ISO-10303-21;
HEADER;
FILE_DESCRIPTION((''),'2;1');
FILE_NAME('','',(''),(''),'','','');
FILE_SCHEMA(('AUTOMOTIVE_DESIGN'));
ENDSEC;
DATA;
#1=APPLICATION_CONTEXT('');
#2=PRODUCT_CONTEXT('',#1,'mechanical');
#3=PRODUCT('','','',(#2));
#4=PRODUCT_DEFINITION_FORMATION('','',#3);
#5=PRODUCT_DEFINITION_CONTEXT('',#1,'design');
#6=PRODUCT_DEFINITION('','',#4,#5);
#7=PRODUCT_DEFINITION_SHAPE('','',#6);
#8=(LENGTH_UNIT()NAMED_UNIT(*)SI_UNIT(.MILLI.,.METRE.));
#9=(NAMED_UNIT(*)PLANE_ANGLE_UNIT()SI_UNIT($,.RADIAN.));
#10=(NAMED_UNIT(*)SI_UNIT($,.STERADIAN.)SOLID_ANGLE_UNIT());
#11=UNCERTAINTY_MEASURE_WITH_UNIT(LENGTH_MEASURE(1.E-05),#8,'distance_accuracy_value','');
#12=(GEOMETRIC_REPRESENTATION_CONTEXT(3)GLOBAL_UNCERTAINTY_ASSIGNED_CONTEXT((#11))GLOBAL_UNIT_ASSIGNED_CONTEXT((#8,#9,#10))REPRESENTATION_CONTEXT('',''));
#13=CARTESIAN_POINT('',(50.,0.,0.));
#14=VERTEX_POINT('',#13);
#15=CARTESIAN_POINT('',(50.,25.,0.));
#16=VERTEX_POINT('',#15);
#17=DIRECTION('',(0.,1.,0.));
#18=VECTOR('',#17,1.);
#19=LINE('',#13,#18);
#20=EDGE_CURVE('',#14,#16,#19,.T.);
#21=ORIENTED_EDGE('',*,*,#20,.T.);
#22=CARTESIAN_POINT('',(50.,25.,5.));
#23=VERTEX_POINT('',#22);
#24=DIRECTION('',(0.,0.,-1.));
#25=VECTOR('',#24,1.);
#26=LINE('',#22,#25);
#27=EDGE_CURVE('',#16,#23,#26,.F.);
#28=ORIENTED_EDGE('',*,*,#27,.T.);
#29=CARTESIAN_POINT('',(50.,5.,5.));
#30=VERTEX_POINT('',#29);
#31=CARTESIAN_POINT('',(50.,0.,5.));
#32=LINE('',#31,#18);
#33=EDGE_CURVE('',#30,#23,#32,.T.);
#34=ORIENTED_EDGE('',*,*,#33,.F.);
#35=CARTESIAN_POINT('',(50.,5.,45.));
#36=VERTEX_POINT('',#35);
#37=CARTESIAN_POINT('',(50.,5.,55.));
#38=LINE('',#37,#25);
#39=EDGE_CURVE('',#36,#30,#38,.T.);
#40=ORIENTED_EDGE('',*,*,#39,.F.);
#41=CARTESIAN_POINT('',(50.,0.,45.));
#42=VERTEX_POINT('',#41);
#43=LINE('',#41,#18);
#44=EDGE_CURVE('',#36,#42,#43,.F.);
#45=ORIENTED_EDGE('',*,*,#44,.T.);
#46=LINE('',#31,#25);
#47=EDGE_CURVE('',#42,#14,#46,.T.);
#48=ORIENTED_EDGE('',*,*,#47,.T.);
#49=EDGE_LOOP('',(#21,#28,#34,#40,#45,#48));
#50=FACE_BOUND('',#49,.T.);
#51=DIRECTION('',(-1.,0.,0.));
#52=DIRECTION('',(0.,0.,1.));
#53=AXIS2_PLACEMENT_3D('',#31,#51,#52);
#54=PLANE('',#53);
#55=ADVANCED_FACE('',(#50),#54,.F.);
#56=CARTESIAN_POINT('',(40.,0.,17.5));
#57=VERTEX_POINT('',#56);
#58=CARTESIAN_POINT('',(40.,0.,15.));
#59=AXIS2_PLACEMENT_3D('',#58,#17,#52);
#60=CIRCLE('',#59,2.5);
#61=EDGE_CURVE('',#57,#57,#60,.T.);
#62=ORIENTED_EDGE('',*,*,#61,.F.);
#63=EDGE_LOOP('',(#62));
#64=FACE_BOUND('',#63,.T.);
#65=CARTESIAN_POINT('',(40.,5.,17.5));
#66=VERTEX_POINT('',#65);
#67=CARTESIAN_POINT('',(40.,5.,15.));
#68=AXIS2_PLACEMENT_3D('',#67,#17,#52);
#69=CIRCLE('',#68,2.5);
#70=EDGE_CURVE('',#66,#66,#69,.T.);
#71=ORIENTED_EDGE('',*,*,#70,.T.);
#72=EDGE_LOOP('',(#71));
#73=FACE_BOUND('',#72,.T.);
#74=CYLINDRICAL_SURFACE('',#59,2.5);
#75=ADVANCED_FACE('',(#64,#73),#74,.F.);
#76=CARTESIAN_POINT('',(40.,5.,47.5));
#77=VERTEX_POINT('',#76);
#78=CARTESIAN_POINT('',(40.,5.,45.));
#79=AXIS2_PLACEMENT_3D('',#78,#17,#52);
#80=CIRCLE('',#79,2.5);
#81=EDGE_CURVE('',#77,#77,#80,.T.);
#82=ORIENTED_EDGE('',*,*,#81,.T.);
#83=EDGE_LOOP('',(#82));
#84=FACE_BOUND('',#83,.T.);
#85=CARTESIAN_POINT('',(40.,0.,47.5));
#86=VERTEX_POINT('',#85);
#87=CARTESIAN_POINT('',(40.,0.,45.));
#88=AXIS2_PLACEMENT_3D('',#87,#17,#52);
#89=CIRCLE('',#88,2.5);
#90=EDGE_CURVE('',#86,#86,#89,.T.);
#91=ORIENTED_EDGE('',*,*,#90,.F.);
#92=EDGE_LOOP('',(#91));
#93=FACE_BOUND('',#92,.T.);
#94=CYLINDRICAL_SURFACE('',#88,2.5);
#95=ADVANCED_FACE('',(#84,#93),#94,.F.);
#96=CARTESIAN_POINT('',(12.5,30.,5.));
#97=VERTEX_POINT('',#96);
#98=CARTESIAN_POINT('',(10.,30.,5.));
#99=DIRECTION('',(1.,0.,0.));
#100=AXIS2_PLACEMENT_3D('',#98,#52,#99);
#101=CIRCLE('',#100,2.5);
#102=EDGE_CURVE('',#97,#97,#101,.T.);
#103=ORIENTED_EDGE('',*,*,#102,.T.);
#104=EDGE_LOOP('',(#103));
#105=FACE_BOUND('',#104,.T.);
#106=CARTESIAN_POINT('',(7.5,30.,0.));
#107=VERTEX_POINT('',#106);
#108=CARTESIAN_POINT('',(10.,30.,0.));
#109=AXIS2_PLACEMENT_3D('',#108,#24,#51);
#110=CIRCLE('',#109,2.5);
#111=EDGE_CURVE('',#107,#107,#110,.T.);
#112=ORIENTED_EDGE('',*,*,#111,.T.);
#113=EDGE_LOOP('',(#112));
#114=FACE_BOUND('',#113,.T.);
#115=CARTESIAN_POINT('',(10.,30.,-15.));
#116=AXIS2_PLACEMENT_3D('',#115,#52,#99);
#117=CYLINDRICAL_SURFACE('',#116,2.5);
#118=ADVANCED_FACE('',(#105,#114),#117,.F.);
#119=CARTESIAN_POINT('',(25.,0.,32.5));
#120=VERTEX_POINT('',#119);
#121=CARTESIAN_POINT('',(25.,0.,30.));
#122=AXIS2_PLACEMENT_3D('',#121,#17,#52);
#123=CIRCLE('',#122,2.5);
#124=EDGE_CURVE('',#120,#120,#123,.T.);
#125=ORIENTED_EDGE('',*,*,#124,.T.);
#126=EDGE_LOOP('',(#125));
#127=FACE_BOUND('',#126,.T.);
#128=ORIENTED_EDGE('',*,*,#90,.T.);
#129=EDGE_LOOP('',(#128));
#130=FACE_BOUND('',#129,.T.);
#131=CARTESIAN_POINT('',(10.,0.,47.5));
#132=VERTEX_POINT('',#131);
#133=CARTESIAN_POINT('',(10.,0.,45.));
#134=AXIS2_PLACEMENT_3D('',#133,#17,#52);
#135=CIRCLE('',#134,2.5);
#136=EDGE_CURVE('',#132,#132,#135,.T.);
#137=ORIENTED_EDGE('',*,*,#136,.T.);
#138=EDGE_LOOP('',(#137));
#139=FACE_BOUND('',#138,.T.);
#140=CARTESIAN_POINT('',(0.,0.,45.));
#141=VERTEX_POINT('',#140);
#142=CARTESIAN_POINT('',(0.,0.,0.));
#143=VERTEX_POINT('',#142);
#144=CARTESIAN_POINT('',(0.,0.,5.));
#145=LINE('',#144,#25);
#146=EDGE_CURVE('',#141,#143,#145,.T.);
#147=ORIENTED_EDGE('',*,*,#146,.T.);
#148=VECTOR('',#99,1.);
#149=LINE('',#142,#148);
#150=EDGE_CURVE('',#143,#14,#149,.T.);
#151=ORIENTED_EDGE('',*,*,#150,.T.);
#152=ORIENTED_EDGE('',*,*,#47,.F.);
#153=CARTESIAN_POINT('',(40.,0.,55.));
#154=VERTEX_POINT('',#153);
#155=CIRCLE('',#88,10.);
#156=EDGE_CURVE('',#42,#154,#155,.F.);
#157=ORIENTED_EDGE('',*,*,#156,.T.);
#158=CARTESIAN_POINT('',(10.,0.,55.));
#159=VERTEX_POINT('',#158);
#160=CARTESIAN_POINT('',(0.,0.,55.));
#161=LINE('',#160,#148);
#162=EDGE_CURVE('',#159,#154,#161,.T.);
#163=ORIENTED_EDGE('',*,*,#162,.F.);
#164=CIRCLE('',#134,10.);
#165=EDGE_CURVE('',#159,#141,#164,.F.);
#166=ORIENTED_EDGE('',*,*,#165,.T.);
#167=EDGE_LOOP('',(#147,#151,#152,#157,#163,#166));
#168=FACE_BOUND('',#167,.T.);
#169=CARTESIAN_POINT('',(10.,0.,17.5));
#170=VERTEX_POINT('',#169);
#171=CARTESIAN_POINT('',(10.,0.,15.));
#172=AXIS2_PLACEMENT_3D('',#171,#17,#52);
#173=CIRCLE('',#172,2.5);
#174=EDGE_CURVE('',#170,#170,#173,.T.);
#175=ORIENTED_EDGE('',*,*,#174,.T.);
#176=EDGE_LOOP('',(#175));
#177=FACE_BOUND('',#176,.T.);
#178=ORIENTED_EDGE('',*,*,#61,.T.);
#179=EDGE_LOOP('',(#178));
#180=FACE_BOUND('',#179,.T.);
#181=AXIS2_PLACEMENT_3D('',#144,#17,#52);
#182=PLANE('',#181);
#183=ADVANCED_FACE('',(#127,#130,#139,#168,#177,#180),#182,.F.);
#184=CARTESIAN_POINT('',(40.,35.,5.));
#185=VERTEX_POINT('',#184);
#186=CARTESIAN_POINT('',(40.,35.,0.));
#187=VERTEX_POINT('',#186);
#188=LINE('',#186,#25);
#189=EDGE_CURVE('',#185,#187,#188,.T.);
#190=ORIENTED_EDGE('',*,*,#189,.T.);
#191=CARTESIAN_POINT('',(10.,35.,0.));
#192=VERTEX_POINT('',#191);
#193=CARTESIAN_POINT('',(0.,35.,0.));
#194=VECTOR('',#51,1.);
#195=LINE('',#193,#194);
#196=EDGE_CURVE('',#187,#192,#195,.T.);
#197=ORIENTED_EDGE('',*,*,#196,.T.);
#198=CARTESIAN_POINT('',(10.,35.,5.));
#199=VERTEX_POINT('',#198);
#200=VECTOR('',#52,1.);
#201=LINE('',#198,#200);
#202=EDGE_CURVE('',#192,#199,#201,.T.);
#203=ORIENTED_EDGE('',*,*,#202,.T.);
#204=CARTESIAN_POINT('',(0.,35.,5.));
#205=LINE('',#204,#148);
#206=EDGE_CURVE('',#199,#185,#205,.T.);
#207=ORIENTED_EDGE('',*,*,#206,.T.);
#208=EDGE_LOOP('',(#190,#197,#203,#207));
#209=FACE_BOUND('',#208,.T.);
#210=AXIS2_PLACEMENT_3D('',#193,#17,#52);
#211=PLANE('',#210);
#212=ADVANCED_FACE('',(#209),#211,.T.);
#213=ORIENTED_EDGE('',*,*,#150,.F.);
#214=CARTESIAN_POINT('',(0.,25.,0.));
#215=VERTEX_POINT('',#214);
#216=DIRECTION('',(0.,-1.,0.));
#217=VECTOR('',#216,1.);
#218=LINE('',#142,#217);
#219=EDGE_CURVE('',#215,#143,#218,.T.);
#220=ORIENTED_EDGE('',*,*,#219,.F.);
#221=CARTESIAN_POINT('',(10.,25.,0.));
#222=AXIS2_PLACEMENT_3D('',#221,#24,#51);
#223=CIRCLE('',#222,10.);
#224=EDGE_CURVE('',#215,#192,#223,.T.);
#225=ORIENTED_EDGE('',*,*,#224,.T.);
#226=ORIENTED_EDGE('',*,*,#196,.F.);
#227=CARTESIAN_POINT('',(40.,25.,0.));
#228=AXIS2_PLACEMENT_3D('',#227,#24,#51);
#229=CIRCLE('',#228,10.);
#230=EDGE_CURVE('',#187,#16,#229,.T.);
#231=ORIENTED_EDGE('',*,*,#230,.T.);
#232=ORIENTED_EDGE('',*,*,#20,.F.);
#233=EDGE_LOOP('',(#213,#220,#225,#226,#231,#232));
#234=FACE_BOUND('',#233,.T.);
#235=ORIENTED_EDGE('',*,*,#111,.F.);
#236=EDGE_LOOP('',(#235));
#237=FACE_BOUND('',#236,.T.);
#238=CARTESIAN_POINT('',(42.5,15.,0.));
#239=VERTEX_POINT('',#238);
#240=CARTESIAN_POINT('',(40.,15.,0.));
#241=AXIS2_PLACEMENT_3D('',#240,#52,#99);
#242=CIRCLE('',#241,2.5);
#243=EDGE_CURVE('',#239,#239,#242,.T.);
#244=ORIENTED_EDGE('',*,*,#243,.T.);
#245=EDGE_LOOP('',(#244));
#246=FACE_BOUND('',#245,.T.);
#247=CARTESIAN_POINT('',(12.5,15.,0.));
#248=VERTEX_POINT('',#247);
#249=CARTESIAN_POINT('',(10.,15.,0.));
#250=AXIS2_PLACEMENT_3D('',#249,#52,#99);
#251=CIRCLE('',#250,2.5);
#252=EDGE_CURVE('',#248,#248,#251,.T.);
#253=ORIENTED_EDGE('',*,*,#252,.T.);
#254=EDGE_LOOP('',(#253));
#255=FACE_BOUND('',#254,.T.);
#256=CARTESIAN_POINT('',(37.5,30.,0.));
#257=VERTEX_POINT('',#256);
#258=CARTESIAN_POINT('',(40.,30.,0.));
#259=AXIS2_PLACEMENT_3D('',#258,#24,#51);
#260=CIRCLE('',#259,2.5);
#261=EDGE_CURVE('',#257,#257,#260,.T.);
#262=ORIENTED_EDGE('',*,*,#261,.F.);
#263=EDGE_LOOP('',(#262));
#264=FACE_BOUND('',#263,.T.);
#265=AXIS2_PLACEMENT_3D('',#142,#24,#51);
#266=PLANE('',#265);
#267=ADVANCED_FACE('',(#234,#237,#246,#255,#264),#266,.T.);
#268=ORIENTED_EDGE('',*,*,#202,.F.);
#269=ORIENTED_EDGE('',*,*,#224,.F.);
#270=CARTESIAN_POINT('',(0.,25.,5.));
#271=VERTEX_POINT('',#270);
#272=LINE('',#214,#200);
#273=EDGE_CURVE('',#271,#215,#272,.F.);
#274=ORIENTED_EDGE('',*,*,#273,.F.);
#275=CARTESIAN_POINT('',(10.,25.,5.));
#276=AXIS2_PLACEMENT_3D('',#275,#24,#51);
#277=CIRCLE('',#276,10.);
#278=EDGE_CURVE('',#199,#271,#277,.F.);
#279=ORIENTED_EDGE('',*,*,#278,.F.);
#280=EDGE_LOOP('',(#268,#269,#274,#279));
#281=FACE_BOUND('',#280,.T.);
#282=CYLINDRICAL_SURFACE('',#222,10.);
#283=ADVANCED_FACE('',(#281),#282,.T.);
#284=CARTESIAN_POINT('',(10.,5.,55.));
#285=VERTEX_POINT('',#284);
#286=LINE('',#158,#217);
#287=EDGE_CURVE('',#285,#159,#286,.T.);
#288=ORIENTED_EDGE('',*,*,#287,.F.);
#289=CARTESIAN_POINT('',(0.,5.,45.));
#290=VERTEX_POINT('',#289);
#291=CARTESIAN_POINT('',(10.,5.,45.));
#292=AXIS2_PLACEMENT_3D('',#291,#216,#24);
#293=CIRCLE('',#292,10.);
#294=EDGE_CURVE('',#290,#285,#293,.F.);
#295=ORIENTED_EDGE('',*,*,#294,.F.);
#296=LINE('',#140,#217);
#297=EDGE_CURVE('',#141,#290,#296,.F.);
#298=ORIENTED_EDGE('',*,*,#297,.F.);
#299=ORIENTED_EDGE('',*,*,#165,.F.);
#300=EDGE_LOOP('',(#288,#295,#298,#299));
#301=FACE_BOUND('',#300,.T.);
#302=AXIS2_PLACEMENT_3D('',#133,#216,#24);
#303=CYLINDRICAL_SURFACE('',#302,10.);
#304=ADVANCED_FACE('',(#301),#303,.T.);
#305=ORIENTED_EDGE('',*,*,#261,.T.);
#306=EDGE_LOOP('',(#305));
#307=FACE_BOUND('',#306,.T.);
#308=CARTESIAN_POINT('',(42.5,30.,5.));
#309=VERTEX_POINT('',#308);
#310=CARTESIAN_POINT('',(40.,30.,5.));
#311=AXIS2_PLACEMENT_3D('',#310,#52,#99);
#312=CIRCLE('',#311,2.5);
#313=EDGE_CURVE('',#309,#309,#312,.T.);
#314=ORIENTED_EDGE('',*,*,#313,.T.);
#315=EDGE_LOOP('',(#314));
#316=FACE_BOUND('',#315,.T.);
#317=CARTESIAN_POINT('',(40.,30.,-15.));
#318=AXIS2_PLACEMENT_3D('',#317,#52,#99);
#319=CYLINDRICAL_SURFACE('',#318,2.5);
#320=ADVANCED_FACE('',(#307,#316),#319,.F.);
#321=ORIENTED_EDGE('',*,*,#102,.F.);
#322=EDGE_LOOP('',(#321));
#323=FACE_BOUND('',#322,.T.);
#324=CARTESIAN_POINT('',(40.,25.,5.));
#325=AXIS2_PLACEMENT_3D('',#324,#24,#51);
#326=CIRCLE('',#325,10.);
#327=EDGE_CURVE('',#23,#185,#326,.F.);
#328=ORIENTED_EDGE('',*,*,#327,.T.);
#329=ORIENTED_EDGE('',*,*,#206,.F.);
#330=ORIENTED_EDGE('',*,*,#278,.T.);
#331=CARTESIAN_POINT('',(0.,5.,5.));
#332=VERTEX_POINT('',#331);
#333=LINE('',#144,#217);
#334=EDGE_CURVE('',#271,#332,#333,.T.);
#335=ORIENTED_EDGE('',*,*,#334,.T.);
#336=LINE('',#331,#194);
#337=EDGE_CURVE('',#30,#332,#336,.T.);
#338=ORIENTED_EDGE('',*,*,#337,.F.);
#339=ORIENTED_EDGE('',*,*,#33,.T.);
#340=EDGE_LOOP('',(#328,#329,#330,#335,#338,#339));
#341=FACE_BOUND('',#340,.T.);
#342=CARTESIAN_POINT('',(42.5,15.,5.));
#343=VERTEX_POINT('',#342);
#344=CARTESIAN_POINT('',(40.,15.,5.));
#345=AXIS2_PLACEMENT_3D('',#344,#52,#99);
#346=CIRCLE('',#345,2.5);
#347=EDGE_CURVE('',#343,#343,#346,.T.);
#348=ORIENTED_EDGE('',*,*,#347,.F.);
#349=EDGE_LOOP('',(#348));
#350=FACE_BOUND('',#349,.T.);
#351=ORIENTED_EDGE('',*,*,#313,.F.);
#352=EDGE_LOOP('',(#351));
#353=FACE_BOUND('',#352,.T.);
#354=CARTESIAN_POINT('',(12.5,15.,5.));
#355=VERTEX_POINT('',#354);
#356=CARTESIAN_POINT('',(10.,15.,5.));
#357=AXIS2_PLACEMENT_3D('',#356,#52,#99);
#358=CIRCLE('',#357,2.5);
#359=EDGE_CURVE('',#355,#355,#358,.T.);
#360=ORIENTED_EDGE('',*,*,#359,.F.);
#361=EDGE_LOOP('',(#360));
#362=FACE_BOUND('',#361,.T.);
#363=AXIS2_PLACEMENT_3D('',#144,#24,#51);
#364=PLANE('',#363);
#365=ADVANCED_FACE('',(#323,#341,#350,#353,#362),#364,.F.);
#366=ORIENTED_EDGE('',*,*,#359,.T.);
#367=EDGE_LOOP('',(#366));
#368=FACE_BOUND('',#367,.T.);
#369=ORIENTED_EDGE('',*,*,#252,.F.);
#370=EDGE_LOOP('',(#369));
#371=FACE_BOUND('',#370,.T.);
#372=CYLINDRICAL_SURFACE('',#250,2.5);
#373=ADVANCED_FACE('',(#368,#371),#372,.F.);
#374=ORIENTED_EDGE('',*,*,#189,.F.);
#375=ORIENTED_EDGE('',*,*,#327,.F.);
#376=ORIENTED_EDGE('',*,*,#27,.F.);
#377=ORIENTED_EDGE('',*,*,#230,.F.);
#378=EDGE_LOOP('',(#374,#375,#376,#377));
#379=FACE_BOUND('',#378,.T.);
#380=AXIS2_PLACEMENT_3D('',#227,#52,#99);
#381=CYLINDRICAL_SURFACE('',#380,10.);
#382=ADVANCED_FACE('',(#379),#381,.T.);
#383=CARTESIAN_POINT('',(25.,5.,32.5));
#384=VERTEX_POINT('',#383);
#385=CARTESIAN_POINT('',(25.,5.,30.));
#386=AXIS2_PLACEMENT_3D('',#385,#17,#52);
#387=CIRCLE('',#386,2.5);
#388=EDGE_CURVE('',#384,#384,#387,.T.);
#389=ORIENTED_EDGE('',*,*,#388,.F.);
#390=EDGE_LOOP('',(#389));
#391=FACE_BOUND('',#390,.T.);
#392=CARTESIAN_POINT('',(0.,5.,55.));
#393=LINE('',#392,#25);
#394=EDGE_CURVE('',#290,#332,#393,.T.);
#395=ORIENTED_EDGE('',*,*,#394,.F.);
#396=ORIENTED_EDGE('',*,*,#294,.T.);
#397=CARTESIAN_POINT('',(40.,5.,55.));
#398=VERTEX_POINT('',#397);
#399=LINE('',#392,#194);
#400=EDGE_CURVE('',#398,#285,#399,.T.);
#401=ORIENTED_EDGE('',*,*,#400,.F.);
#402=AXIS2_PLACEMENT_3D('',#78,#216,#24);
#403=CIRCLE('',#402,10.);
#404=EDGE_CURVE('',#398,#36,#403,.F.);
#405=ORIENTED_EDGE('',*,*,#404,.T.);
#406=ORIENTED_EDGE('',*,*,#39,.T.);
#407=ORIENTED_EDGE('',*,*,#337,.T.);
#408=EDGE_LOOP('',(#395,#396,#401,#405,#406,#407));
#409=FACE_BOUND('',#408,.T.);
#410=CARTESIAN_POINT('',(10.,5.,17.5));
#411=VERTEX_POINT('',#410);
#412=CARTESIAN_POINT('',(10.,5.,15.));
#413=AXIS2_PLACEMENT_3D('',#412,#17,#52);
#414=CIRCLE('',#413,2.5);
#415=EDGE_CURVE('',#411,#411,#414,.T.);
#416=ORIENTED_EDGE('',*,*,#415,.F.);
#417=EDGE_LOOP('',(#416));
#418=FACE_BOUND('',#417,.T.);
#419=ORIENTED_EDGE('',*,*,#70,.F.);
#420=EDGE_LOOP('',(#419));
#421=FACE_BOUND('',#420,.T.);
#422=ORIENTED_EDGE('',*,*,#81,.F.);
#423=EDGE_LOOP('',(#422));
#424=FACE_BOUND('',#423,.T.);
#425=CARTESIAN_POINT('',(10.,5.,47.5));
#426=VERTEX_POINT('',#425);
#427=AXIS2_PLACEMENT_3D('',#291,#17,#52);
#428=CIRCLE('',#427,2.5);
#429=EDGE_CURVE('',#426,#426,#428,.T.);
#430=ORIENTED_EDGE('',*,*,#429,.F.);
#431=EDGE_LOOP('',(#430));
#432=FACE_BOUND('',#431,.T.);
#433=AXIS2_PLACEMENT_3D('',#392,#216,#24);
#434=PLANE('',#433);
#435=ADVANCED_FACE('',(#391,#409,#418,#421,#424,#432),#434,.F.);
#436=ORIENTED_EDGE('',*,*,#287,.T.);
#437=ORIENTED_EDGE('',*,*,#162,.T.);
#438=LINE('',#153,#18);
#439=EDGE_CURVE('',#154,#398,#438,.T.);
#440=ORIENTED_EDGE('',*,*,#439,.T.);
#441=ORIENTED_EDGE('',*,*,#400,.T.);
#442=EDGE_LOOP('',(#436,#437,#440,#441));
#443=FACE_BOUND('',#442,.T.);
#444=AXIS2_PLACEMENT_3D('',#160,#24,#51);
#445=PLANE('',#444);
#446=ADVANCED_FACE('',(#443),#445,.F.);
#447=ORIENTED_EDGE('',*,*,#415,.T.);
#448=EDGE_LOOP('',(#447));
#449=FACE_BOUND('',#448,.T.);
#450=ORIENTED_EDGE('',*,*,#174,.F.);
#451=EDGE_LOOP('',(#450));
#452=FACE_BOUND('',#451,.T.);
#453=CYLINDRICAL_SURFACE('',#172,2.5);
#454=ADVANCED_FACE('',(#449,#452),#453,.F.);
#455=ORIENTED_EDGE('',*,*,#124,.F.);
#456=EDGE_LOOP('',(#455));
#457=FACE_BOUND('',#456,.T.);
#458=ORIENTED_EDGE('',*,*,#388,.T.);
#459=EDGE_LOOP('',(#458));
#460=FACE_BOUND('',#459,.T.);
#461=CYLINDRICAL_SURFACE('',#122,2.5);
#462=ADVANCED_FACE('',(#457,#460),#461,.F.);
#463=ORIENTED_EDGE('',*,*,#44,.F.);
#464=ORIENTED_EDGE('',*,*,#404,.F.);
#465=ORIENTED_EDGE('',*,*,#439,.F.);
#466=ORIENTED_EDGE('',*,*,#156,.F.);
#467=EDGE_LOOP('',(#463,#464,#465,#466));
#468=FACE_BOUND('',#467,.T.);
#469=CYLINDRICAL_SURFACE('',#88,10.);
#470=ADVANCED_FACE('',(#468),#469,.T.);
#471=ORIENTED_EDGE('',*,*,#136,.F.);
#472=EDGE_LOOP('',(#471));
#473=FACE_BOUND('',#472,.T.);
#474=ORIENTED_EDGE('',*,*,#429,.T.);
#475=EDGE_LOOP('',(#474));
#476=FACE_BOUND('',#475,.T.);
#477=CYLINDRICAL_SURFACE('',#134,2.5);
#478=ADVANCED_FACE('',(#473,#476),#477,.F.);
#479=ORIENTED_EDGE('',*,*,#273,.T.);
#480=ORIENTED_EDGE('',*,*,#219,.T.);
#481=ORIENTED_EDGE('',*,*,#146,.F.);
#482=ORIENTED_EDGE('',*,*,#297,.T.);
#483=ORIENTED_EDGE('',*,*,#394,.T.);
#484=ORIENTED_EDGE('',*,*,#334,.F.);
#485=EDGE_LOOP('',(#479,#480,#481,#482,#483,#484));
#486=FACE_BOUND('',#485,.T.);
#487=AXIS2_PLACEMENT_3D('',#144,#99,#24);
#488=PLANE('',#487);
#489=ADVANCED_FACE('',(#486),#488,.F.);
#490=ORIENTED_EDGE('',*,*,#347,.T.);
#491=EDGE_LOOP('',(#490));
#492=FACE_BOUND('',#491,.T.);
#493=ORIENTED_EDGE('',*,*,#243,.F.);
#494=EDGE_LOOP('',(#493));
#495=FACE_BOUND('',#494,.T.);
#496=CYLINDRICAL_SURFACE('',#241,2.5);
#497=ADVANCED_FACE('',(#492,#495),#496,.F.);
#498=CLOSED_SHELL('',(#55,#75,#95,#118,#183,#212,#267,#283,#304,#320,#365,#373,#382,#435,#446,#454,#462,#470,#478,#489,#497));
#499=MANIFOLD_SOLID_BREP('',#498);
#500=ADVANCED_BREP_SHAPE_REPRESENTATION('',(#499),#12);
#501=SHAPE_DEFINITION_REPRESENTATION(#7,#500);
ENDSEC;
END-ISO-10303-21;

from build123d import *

# Parameters (mm, degrees)
SKETCH1_W           = 50
SKETCH1_H           = 60
BOSS_EXTRUDE1_DEPTH = 5
SKETCH2_W           = 50
SKETCH2_H           = 5
BOSS_EXTRUDE2_DEPTH = 50
SKETCH3_W           = 50
SKETCH3_H           = 5
CUT_EXTRUDE1_DEPTH  = 5
SKETCH4_R           = 2.5
CUT_EXTRUDE2_DEPTH  = 5
SKETCH5_R           = 2.5
CUT_EXTRUDE3_DEPTH  = 5
FILLET1_R           = 10
SKETCH7_W           = 50
SKETCH7_H           = 5
CUT_EXTRUDE4_DEPTH  = 20
FILLET2_R           = 10
SKETCH8_R           = 2.5
CUT_EXTRUDE5_DEPTH  = 20
SKETCH9_R           = 2.5
BOSS_EXTRUDE3_DEPTH = 5


with BuildPart() as part:
    # Sketch1 → Boss-Extrude1 (new body)
    with BuildSketch(Plane.XY):
        with Locations((25, 30)):
            Rectangle(SKETCH1_W, SKETCH1_H)
    extrude(amount=BOSS_EXTRUDE1_DEPTH)

    # Sketch2 → Boss-Extrude2 (add)
    with BuildSketch(Plane.XY.offset(5)):
        with Locations((25, 2.5)):
            Rectangle(SKETCH2_W, SKETCH2_H)
    extrude(amount=BOSS_EXTRUDE2_DEPTH)

    # Sketch3 → Cut-Extrude1 (cut)
    with BuildSketch(Plane(origin=(0, 60, 0), x_dir=(1, 0, 0), z_dir=(0, 1, 0))):
        with Locations((25, -2.5)):
            Rectangle(SKETCH3_W, SKETCH3_H)
    extrude(amount=-CUT_EXTRUDE1_DEPTH, mode=Mode.SUBTRACT)

    # Sketch4 → Cut-Extrude2 (cut)
    with BuildSketch(Plane(origin=(0, 5, 0), x_dir=(1, 0, 0), z_dir=(0, 1, 0))):
        with Locations(Location((10, -15, 0), (0, 0, 270))):
            Circle(SKETCH4_R)
        with Locations(Location((25, -30, 0), (0, 0, 270))):
            Circle(SKETCH4_R)
        with Locations(Location((40, -15, 0), (0, 0, 270))):
            Circle(SKETCH4_R)
        with Locations(Location((40, -45, 0), (0, 0, 270))):
            Circle(SKETCH4_R)
        with Locations(Location((10, -45, 0), (0, 0, 270))):
            Circle(SKETCH4_R)
    extrude(amount=-CUT_EXTRUDE2_DEPTH, mode=Mode.SUBTRACT)

    # Sketch5 → Cut-Extrude3 (cut)
    with BuildSketch(Plane.XY.offset(5)):
        with Locations((10, 45)):
            Circle(SKETCH5_R)
        with Locations((25, 30)):
            Circle(SKETCH5_R)
        with Locations((40, 45)):
            Circle(SKETCH5_R)
        with Locations((40, 15)):
            Circle(SKETCH5_R)
        with Locations((10, 15)):
            Circle(SKETCH5_R)
    extrude(amount=-CUT_EXTRUDE3_DEPTH, mode=Mode.SUBTRACT)

    # Fillet1
    fillet1_edges = [part.edges().sort_by_distance(p)[0] for p in [
        (50, 55, 2.5),
        (0, 55, 2.5),
        (0, 2.5, 55),
        (50, 2.5, 55),
    ]]
    fillet(fillet1_edges, radius=FILLET1_R)

    # Sketch7 → Cut-Extrude4 (cut)
    with BuildSketch(Plane(origin=(0, 55, 0), x_dir=(1, 0, 0), z_dir=(0, 1, 0))):
        with Locations((25, -2.5)):
            Rectangle(SKETCH7_W, SKETCH7_H)
    extrude(amount=-CUT_EXTRUDE4_DEPTH, mode=Mode.SUBTRACT)

    # Fillet2
    fillet2_edges = [part.edges().sort_by_distance(p)[0] for p in [
        (50, 35, 2.5),
        (0, 35, 2.5),
    ]]
    fillet(fillet2_edges, radius=FILLET2_R)

    # Sketch8 → Cut-Extrude5 (cut)
    with BuildSketch(Plane.XY.offset(5)):
        with Locations((10, 30)):
            Circle(SKETCH8_R)
        with Locations((40, 30)):
            Circle(SKETCH8_R)
    extrude(amount=-CUT_EXTRUDE5_DEPTH, mode=Mode.SUBTRACT)

    # Sketch9 → Boss-Extrude3 (add, through all)
    with BuildSketch(Plane.XY.offset(5)):
        with Locations((25, 30)):
            Circle(SKETCH9_R)
    extrude(amount=-BOSS_EXTRUDE3_DEPTH)


solid = part.part
